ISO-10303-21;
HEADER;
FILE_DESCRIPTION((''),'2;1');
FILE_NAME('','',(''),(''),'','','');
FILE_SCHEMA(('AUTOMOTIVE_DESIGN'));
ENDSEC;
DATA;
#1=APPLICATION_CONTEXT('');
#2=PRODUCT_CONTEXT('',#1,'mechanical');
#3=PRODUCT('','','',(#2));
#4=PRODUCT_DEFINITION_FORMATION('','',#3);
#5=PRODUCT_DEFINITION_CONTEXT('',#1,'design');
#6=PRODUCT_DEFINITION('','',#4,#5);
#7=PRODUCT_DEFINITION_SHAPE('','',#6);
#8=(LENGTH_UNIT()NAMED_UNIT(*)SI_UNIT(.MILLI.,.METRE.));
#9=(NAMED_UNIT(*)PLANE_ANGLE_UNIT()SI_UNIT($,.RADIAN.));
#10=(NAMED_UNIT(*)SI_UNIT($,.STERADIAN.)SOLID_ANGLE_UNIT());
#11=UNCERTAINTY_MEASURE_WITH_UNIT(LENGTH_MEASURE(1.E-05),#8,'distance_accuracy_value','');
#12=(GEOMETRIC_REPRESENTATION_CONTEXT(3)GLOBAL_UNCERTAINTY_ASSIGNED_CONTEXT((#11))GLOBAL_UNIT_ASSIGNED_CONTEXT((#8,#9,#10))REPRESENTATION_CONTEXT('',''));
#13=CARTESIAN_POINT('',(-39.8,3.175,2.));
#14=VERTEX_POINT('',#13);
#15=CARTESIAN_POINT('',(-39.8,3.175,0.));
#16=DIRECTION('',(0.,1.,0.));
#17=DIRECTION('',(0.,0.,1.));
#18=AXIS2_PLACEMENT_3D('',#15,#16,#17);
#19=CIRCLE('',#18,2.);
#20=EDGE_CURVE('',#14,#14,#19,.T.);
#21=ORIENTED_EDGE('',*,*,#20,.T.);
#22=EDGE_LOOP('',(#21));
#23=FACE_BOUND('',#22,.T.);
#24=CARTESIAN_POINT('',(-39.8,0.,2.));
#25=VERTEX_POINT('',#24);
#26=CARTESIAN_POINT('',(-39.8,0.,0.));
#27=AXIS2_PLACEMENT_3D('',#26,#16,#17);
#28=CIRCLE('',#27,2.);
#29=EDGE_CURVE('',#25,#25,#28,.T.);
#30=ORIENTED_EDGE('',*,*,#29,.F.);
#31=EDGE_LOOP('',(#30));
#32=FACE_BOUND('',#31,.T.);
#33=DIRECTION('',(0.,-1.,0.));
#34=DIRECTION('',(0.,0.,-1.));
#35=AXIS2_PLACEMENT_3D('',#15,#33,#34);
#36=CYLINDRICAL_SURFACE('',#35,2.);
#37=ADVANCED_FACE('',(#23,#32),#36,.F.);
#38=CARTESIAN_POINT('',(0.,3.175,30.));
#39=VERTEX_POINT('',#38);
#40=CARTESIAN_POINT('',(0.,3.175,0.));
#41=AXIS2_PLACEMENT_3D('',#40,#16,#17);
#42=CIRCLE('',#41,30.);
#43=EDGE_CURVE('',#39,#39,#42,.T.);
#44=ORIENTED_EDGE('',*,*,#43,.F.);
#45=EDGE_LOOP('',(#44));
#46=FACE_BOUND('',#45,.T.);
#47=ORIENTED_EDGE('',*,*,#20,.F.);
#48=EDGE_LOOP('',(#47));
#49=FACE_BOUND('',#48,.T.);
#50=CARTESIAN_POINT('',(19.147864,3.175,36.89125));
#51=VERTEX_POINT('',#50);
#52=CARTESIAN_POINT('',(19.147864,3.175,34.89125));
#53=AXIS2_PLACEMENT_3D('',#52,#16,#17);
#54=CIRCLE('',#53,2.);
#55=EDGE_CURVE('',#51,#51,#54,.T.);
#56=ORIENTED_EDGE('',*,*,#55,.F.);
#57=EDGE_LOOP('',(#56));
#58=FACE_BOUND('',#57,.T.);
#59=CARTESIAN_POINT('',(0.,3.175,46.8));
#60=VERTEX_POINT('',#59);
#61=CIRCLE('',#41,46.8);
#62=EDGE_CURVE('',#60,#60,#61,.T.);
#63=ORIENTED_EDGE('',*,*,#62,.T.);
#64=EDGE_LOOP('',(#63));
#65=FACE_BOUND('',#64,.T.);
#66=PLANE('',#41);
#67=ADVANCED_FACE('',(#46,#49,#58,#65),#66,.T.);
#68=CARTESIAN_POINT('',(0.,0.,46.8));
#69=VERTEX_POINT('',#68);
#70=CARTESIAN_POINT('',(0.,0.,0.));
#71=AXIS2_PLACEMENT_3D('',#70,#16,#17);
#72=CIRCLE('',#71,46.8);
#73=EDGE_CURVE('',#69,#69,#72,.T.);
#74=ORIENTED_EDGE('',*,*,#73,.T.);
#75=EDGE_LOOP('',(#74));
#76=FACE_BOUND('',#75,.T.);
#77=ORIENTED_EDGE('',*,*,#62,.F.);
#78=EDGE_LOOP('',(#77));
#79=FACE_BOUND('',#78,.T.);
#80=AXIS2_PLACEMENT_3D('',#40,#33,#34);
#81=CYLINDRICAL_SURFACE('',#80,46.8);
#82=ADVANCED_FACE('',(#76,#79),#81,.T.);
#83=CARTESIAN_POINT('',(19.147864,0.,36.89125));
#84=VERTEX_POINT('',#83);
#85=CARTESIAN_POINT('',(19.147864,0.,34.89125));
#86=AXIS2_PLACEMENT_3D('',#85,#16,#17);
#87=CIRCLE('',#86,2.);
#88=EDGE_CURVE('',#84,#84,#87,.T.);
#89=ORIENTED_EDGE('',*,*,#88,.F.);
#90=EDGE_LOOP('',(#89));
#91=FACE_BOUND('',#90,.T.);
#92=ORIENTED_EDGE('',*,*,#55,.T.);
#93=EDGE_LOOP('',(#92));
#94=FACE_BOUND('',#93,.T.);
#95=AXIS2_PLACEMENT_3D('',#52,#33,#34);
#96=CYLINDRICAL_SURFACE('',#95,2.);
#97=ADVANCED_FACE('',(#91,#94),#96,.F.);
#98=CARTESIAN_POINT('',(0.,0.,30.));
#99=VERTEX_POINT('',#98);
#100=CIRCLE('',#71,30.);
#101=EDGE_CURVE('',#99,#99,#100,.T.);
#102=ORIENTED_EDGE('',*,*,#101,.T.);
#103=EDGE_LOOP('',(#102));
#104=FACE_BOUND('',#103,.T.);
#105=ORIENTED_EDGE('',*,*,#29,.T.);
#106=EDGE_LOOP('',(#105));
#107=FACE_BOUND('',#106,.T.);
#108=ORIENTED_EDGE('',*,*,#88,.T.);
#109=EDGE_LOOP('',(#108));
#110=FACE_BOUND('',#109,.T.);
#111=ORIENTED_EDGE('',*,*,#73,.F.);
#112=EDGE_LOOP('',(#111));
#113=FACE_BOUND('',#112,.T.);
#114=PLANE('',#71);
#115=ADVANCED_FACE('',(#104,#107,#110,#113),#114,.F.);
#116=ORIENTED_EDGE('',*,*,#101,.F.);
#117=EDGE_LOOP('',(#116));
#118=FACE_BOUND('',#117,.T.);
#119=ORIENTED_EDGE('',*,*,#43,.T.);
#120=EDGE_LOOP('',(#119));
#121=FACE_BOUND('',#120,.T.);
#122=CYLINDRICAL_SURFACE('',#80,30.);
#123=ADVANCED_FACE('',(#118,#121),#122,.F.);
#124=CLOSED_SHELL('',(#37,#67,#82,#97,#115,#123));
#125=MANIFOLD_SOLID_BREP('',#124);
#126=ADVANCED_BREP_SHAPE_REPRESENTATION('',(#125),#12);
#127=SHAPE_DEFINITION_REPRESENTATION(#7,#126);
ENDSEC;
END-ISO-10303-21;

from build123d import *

# Parameters (mm, degrees)
SKETCH1_R           = 46.8
SKETCH1_R_2         = 30
SKETCH1_R_3         = 2
BOSS_EXTRUDE1_DEPTH = 3.175


with BuildPart() as part:
    # Sketch1 → Boss-Extrude1 (new body)
    with BuildSketch(Plane(origin=(0, 0, 0), x_dir=(1, 0, 0), z_dir=(0, 1, 0))):
        with Locations(Location((0, 0, 0), (0, 0, 270))):
            Circle(SKETCH1_R)
        with Locations(Location((0, 0, 0), (0, 0, 270))):
            Circle(SKETCH1_R_2, mode=Mode.SUBTRACT)
        with Locations(Location((-39.8, 0, 0), (0, 0, 270))):
            Circle(SKETCH1_R_3, mode=Mode.SUBTRACT)
        with Locations(Location((19.147864322, -34.891249504, 0), (0, 0, 270))):
            Circle(SKETCH1_R_3, mode=Mode.SUBTRACT)
    extrude(amount=BOSS_EXTRUDE1_DEPTH)


solid = part.part
